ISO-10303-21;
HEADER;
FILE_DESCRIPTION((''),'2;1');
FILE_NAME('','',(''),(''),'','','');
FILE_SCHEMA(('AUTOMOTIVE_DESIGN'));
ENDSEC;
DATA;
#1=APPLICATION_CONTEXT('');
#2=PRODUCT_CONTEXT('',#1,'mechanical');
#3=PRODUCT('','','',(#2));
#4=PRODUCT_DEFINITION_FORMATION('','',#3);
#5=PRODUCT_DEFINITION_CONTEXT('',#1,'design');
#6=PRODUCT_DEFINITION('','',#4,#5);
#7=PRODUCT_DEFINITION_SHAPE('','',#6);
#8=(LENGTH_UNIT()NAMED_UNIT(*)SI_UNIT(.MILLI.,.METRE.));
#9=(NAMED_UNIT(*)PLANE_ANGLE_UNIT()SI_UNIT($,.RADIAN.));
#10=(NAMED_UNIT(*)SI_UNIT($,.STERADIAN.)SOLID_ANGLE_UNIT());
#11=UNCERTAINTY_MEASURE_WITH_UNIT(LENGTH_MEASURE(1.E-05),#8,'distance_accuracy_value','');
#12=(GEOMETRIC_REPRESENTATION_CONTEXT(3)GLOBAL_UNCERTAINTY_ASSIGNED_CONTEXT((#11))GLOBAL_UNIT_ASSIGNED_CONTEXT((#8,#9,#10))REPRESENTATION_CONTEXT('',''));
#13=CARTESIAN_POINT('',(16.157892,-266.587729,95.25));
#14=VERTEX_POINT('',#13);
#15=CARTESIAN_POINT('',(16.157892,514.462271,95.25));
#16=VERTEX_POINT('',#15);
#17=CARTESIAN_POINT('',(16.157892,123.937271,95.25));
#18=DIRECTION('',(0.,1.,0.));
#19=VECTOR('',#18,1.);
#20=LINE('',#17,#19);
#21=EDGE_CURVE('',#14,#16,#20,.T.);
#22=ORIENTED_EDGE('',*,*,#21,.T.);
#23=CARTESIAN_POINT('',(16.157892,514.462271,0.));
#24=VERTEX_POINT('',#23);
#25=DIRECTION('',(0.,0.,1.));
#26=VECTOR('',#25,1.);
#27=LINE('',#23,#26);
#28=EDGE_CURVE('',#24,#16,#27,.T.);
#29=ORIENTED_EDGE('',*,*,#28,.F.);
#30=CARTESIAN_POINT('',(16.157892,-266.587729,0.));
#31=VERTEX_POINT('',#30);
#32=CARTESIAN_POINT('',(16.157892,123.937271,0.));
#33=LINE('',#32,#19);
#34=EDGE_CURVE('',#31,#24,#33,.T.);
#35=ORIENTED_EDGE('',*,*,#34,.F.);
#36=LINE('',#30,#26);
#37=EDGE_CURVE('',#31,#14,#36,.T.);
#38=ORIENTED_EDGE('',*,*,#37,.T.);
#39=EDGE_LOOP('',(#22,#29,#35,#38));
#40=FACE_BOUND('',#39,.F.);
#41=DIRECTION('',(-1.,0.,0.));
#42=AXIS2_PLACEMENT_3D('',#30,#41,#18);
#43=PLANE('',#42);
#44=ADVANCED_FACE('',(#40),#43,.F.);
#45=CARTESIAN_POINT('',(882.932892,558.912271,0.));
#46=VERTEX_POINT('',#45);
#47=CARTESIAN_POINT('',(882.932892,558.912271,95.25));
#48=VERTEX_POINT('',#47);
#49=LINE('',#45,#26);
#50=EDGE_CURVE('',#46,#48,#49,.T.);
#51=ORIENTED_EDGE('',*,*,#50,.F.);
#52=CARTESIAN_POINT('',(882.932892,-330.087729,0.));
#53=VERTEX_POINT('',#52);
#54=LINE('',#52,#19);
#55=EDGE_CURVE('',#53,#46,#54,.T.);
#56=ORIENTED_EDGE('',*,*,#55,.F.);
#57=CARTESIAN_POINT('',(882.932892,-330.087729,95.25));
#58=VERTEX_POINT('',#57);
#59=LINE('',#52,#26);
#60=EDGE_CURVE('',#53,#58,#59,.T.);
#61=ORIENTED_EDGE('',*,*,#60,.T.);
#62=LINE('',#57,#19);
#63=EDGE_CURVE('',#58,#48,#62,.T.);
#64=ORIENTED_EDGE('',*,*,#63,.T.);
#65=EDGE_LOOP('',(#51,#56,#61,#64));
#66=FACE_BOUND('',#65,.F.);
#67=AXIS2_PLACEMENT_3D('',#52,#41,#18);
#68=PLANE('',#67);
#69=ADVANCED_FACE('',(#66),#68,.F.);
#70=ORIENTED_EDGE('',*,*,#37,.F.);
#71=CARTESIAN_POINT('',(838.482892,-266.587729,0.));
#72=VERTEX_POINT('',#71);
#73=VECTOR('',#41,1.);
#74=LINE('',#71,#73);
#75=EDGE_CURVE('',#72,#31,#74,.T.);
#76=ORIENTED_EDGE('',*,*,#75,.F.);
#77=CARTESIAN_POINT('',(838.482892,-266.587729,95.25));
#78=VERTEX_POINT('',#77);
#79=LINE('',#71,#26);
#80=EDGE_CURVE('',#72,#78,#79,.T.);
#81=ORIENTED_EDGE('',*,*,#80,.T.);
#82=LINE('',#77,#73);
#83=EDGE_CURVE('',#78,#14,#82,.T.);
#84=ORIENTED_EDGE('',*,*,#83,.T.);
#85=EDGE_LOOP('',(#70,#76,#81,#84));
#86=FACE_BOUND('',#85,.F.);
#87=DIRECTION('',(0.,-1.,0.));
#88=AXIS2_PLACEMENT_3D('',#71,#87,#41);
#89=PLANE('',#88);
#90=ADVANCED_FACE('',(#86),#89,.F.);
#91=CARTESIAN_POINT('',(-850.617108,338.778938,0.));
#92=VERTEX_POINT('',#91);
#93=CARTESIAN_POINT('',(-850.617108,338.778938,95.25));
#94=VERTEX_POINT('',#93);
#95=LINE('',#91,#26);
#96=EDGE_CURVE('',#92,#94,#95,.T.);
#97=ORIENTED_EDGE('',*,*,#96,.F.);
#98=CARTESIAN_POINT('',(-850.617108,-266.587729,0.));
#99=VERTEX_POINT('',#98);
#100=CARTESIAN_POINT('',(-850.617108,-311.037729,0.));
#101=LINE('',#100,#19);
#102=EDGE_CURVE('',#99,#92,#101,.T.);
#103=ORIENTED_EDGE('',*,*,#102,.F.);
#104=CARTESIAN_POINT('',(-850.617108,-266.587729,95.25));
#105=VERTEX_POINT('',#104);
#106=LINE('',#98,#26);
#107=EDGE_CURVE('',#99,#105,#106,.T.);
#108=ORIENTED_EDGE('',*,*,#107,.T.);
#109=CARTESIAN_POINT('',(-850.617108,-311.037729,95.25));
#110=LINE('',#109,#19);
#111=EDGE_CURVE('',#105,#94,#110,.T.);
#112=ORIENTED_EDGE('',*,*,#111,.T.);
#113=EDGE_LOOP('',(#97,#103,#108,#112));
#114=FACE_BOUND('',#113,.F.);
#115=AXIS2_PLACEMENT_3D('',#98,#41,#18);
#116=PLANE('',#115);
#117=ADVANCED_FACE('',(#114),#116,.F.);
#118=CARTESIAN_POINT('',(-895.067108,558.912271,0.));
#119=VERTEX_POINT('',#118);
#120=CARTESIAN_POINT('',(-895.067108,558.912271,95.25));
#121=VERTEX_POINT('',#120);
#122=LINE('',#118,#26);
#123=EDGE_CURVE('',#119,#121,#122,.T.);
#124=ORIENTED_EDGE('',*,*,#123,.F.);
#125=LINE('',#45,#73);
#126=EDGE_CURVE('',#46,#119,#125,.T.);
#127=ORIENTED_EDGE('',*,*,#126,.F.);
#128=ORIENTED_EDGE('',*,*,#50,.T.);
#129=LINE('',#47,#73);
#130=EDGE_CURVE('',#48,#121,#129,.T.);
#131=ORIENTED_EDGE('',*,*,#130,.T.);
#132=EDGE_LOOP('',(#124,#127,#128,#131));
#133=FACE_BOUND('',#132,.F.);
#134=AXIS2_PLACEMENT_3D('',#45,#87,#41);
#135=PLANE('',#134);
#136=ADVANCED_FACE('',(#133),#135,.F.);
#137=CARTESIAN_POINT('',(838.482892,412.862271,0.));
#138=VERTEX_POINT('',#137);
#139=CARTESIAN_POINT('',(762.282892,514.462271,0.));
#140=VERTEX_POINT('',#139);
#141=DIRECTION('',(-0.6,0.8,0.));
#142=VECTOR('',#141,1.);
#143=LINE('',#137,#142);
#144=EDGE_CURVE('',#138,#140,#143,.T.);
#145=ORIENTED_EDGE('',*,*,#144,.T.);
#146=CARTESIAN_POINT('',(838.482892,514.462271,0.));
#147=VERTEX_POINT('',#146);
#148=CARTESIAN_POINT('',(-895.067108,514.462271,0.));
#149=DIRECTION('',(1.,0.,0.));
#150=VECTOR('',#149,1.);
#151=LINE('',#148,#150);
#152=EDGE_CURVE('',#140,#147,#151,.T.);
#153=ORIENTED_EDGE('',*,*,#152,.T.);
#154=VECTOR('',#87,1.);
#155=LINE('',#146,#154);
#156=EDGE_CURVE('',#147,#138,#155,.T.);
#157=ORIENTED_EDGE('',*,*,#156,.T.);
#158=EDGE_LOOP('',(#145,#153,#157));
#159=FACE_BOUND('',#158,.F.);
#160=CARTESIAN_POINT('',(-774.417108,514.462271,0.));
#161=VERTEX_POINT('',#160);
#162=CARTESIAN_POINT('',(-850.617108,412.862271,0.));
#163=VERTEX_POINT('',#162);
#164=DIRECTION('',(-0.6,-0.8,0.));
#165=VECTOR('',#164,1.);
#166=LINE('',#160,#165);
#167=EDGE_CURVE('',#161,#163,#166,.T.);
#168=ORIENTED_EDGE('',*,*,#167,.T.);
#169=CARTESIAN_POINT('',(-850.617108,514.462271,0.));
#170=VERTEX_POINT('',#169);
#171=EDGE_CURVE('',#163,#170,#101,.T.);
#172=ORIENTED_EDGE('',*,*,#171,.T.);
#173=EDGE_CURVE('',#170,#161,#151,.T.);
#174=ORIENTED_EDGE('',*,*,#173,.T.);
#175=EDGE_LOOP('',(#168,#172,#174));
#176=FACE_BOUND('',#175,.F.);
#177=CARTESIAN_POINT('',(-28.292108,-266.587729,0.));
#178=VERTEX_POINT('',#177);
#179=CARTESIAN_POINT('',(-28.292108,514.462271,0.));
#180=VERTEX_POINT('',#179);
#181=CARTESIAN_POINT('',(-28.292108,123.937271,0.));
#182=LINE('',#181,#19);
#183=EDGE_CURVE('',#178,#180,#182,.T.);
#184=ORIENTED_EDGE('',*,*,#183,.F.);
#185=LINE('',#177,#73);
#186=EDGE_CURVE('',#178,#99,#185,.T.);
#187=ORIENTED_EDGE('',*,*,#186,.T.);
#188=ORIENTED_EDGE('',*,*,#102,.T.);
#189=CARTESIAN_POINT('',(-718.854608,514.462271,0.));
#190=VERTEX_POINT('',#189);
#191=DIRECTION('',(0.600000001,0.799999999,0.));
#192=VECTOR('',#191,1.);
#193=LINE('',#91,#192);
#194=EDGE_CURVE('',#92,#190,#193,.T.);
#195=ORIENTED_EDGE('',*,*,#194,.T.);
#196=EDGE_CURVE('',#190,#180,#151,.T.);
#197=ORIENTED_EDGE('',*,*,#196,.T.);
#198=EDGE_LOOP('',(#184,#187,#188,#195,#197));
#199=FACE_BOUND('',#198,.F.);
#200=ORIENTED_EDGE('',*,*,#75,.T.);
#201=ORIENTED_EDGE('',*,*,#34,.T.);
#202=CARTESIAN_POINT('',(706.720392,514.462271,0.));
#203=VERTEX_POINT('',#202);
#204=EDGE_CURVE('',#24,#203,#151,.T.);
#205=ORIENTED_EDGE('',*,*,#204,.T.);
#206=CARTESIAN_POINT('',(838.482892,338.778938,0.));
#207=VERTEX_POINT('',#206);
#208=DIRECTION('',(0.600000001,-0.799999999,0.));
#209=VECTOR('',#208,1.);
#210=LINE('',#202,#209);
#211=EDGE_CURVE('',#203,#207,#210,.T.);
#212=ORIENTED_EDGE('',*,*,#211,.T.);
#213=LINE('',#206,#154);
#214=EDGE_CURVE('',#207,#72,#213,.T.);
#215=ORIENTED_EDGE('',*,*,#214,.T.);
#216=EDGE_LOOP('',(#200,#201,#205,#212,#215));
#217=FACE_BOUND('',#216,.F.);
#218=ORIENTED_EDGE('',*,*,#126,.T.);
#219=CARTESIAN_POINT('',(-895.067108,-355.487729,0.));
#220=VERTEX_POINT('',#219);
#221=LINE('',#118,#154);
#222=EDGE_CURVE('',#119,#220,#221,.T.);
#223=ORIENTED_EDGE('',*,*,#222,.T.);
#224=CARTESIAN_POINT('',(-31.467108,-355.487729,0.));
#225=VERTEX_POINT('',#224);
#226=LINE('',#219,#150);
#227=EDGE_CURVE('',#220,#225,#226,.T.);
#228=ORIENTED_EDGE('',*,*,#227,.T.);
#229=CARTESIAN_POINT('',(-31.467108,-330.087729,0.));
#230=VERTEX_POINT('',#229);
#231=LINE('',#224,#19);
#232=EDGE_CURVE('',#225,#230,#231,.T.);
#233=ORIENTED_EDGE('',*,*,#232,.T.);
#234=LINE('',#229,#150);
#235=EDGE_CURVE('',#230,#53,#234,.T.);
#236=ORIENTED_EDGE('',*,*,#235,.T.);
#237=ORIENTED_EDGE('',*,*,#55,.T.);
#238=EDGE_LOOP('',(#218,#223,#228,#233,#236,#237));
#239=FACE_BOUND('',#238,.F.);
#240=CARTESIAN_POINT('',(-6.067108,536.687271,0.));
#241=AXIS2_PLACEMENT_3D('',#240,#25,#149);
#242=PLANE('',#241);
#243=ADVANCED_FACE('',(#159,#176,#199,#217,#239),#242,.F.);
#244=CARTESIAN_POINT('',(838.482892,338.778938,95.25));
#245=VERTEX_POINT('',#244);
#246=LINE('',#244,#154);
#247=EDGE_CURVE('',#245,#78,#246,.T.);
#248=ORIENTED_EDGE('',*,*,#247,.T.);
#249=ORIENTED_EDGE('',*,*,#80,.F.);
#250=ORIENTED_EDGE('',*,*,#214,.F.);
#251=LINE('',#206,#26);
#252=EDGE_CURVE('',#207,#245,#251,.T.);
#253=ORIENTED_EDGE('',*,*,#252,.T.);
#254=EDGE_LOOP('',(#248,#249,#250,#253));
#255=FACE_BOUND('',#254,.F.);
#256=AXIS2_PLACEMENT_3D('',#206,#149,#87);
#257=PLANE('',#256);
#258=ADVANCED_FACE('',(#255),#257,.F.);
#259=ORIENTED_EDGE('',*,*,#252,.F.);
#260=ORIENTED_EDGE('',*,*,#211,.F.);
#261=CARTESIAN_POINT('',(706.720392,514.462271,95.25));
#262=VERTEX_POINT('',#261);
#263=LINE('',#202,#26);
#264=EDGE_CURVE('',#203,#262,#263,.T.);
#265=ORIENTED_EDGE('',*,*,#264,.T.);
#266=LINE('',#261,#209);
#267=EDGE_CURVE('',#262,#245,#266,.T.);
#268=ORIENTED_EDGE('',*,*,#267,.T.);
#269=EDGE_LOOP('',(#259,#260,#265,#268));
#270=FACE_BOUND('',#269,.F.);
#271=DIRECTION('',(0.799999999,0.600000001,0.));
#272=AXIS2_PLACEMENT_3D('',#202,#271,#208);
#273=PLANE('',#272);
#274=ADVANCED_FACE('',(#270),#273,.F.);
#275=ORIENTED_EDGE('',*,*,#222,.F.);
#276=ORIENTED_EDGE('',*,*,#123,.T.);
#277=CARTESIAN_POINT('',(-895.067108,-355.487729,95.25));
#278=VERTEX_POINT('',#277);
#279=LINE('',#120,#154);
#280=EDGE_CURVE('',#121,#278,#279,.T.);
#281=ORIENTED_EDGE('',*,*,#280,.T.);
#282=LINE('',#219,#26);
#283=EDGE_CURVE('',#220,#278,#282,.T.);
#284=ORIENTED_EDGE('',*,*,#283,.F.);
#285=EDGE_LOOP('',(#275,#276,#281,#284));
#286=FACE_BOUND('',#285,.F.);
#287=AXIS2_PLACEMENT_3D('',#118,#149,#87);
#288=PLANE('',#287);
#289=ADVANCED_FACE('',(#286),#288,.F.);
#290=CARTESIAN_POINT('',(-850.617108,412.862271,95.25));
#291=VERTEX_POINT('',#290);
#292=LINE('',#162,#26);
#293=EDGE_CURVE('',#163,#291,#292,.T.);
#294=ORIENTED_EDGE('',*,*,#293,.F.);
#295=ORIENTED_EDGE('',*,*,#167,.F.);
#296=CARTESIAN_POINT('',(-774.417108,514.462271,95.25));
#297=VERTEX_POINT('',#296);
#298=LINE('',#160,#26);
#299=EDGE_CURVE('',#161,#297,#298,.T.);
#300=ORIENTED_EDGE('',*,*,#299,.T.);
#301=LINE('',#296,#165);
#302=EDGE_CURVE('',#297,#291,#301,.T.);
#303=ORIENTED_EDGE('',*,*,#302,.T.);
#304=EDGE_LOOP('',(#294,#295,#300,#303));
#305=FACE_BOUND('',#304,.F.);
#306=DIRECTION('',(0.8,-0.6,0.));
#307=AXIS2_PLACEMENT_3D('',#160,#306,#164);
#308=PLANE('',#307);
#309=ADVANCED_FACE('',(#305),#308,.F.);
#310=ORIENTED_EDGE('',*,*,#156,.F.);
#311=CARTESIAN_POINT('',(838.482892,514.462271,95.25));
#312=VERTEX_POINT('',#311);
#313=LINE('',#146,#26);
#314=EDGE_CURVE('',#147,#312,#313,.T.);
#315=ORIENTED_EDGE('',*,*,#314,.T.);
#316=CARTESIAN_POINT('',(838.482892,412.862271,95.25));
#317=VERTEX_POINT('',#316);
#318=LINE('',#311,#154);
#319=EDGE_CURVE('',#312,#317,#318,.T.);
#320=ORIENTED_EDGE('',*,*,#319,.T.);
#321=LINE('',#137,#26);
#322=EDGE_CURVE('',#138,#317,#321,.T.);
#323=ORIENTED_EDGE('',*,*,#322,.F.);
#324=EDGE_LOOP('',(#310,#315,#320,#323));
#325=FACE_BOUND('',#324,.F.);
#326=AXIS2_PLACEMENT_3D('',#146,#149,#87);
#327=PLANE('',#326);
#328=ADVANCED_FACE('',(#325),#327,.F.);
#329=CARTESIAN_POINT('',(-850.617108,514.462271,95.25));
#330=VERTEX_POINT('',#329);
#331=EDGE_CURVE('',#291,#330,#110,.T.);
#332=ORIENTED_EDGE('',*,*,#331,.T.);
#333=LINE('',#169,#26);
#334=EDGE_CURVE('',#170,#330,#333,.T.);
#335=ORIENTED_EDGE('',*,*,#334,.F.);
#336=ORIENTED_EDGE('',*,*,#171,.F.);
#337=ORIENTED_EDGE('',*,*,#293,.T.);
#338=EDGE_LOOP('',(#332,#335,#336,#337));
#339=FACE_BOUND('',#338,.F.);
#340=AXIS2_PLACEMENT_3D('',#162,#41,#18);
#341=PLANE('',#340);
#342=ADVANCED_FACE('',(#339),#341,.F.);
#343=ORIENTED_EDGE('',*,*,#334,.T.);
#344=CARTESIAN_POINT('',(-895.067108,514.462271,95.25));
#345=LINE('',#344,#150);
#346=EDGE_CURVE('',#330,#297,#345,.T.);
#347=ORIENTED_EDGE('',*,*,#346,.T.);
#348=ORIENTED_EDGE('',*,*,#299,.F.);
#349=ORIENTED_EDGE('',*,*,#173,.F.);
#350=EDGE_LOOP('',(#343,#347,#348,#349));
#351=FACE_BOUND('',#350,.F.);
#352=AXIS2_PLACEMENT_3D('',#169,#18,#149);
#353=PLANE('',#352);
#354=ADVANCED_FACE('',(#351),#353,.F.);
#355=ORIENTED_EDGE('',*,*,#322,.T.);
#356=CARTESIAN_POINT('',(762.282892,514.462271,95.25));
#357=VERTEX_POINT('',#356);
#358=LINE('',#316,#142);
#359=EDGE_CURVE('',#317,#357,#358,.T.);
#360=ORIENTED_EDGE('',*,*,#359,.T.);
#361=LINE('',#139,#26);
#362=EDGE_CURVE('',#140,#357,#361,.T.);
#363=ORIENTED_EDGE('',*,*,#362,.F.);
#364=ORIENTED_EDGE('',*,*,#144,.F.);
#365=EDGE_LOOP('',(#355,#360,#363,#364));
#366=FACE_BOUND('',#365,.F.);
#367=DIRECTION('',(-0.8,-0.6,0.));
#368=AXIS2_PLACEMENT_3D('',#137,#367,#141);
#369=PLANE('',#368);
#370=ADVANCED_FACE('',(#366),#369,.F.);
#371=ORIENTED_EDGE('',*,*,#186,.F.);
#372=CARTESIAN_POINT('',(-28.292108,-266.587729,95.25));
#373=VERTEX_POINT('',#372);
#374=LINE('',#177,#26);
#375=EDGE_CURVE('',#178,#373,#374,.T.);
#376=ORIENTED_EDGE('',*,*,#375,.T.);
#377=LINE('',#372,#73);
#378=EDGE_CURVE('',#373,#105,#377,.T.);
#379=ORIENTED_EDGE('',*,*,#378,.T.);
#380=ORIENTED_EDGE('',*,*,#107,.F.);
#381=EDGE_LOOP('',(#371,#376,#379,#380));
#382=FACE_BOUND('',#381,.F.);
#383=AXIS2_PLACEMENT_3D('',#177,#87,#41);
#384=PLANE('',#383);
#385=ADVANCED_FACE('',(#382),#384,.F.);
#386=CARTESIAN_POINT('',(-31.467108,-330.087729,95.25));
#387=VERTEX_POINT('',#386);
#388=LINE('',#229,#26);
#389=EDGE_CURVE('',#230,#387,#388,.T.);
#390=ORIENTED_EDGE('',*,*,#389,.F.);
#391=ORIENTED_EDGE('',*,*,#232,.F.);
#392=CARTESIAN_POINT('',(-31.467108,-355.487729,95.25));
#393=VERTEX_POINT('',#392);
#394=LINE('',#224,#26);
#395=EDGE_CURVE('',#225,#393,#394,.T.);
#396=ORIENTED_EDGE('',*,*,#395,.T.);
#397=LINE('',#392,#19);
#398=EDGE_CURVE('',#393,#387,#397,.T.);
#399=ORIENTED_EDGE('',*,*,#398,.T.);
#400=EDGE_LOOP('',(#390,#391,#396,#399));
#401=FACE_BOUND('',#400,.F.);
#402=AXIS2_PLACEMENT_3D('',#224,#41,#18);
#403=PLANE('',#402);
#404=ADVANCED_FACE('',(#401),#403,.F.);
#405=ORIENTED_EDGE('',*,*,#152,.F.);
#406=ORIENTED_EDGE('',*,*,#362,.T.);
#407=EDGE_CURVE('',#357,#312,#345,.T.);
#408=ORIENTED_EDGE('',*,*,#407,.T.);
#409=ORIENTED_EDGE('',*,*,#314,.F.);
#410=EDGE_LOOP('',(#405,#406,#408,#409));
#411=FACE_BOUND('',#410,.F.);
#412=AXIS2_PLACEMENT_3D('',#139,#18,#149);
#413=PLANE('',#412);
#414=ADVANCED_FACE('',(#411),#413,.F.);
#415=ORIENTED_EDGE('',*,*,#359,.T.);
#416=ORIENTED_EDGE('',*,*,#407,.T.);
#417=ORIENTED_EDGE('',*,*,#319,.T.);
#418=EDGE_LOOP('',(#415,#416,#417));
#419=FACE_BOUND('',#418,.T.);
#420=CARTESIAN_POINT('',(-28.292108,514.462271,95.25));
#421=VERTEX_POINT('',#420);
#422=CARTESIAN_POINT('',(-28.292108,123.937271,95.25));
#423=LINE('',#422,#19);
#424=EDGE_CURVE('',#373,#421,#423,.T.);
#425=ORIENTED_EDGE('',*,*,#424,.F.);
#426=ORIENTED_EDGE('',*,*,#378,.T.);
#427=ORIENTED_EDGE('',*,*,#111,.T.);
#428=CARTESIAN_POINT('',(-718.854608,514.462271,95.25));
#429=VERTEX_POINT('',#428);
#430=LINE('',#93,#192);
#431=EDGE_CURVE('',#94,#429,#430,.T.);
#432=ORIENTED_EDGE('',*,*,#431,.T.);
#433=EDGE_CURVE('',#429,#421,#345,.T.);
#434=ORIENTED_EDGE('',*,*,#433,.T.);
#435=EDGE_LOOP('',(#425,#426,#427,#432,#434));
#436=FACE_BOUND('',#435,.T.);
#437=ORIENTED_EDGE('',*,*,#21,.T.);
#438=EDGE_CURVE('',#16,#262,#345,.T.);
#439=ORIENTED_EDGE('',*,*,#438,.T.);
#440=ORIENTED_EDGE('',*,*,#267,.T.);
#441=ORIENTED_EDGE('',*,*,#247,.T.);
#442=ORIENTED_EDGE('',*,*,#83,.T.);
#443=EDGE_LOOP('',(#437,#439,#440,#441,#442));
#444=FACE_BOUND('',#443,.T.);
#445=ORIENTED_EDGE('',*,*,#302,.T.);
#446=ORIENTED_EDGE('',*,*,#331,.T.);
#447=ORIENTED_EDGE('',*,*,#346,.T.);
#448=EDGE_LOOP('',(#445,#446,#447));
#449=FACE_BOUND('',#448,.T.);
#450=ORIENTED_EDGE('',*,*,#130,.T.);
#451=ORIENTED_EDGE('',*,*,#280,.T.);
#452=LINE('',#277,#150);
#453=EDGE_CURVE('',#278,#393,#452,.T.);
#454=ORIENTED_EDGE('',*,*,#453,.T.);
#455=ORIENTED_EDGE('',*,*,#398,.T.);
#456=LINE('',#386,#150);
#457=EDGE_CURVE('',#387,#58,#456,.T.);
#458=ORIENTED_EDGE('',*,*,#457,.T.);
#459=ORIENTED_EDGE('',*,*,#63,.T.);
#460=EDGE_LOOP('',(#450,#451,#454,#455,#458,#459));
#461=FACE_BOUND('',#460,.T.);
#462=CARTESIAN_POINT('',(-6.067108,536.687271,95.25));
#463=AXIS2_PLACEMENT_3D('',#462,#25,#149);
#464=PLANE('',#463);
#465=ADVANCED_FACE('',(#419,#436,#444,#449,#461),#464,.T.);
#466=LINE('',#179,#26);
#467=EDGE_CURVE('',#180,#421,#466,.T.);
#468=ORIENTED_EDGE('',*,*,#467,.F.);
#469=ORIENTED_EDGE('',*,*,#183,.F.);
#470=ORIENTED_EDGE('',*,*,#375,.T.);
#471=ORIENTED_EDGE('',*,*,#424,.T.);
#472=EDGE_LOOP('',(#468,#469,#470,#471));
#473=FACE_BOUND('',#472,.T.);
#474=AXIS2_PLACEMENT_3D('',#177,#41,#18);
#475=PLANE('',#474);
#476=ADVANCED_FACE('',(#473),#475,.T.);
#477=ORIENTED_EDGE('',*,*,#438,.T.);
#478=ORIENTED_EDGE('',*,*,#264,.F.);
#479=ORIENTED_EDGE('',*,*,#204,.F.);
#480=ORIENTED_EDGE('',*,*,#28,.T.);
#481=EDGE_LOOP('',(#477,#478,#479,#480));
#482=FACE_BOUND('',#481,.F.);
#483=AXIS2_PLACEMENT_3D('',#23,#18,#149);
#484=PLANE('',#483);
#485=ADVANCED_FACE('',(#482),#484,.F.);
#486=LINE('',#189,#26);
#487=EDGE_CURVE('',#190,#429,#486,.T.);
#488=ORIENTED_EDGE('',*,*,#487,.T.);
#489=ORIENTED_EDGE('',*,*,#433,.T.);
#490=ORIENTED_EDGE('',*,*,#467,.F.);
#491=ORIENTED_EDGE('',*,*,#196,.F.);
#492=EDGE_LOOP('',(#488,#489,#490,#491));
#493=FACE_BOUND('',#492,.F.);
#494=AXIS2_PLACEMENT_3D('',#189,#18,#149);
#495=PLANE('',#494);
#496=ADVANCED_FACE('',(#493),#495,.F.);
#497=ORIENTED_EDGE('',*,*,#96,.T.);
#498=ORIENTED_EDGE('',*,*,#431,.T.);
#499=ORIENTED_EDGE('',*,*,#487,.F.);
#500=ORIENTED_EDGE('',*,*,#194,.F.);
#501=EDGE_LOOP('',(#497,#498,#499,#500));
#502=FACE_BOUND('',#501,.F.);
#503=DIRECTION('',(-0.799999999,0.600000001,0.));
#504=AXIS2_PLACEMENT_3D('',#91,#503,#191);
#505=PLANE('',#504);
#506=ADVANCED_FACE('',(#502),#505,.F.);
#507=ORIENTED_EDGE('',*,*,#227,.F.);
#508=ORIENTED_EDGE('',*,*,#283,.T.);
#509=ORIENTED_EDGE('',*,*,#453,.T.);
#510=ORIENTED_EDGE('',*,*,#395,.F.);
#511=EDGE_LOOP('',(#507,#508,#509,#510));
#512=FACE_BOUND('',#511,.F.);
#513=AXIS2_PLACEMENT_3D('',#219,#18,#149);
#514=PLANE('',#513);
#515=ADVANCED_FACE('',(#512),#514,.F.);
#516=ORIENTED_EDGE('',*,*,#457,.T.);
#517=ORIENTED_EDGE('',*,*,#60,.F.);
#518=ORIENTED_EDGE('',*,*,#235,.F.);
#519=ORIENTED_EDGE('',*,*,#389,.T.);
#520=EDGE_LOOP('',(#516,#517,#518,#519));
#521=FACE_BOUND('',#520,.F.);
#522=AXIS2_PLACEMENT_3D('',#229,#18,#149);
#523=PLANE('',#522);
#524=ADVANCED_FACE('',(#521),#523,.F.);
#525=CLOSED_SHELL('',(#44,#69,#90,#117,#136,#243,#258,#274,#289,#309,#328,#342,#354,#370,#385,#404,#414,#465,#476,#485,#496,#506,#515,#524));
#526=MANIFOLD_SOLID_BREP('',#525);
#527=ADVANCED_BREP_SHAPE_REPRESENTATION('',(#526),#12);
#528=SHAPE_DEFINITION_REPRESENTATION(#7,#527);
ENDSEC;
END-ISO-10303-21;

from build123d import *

# Parameters (mm, degrees)
F0_W     = 44.45
F0_H     = 781.05
F1_DEPTH = 95.25


with BuildPart() as f1:
    # F0 (on Top) → F1 (new body)
    with BuildSketch(Plane.XY):
        Polygon((882.932892, 558.912271), (-895.067108, 558.912271), (-895.067108, 514.462271), (-850.617108, 514.462271), (-774.417108, 514.462271), (-718.854608, 514.462271), (-28.292108, 514.462271), (16.157892, 514.462271), (706.720392, 514.462271), (762.282892, 514.462271), (838.482892, 514.462271), (882.932892, 514.462271), align=None)
        Polygon((-850.617108, 514.462271), (-895.067108, 514.462271), (-895.067108, -311.037729), (-850.617108, -311.037729), (-850.617108, -266.587729), (-850.617108, 338.778938), (-850.617108, 412.862271), align=None)
        Polygon((-774.417108, 514.462271), (-850.617108, 412.862271), (-850.617108, 338.778938), (-718.854608, 514.462271), align=None)
        with Locations((-6.067108, 123.937271)):
            Rectangle(F0_W, F0_H)
        Polygon((838.482892, 338.778938), (838.482892, 412.862271), (762.282892, 514.462271), (706.720392, 514.462271), align=None)
        Polygon((882.932892, -311.037729), (882.932892, 514.462271), (838.482892, 514.462271), (838.482892, 412.862271), (838.482892, 338.778938), (838.482892, -266.587729), (838.482892, -311.037729), align=None)
        Polygon((-850.617108, -266.587729), (-850.617108, -311.037729), (838.482892, -311.037729), (838.482892, -266.587729), (16.157892, -266.587729), (-28.292108, -266.587729), align=None)
        Polygon((-850.617108, -311.037729), (-895.067108, -311.037729), (-895.067108, -355.487729), (-31.467108, -355.487729), (-31.467108, -330.087729), (882.932892, -330.087729), (882.932892, -311.037729), (838.482892, -311.037729), align=None)
    extrude(amount=F1_DEPTH)


solid = f1.part
